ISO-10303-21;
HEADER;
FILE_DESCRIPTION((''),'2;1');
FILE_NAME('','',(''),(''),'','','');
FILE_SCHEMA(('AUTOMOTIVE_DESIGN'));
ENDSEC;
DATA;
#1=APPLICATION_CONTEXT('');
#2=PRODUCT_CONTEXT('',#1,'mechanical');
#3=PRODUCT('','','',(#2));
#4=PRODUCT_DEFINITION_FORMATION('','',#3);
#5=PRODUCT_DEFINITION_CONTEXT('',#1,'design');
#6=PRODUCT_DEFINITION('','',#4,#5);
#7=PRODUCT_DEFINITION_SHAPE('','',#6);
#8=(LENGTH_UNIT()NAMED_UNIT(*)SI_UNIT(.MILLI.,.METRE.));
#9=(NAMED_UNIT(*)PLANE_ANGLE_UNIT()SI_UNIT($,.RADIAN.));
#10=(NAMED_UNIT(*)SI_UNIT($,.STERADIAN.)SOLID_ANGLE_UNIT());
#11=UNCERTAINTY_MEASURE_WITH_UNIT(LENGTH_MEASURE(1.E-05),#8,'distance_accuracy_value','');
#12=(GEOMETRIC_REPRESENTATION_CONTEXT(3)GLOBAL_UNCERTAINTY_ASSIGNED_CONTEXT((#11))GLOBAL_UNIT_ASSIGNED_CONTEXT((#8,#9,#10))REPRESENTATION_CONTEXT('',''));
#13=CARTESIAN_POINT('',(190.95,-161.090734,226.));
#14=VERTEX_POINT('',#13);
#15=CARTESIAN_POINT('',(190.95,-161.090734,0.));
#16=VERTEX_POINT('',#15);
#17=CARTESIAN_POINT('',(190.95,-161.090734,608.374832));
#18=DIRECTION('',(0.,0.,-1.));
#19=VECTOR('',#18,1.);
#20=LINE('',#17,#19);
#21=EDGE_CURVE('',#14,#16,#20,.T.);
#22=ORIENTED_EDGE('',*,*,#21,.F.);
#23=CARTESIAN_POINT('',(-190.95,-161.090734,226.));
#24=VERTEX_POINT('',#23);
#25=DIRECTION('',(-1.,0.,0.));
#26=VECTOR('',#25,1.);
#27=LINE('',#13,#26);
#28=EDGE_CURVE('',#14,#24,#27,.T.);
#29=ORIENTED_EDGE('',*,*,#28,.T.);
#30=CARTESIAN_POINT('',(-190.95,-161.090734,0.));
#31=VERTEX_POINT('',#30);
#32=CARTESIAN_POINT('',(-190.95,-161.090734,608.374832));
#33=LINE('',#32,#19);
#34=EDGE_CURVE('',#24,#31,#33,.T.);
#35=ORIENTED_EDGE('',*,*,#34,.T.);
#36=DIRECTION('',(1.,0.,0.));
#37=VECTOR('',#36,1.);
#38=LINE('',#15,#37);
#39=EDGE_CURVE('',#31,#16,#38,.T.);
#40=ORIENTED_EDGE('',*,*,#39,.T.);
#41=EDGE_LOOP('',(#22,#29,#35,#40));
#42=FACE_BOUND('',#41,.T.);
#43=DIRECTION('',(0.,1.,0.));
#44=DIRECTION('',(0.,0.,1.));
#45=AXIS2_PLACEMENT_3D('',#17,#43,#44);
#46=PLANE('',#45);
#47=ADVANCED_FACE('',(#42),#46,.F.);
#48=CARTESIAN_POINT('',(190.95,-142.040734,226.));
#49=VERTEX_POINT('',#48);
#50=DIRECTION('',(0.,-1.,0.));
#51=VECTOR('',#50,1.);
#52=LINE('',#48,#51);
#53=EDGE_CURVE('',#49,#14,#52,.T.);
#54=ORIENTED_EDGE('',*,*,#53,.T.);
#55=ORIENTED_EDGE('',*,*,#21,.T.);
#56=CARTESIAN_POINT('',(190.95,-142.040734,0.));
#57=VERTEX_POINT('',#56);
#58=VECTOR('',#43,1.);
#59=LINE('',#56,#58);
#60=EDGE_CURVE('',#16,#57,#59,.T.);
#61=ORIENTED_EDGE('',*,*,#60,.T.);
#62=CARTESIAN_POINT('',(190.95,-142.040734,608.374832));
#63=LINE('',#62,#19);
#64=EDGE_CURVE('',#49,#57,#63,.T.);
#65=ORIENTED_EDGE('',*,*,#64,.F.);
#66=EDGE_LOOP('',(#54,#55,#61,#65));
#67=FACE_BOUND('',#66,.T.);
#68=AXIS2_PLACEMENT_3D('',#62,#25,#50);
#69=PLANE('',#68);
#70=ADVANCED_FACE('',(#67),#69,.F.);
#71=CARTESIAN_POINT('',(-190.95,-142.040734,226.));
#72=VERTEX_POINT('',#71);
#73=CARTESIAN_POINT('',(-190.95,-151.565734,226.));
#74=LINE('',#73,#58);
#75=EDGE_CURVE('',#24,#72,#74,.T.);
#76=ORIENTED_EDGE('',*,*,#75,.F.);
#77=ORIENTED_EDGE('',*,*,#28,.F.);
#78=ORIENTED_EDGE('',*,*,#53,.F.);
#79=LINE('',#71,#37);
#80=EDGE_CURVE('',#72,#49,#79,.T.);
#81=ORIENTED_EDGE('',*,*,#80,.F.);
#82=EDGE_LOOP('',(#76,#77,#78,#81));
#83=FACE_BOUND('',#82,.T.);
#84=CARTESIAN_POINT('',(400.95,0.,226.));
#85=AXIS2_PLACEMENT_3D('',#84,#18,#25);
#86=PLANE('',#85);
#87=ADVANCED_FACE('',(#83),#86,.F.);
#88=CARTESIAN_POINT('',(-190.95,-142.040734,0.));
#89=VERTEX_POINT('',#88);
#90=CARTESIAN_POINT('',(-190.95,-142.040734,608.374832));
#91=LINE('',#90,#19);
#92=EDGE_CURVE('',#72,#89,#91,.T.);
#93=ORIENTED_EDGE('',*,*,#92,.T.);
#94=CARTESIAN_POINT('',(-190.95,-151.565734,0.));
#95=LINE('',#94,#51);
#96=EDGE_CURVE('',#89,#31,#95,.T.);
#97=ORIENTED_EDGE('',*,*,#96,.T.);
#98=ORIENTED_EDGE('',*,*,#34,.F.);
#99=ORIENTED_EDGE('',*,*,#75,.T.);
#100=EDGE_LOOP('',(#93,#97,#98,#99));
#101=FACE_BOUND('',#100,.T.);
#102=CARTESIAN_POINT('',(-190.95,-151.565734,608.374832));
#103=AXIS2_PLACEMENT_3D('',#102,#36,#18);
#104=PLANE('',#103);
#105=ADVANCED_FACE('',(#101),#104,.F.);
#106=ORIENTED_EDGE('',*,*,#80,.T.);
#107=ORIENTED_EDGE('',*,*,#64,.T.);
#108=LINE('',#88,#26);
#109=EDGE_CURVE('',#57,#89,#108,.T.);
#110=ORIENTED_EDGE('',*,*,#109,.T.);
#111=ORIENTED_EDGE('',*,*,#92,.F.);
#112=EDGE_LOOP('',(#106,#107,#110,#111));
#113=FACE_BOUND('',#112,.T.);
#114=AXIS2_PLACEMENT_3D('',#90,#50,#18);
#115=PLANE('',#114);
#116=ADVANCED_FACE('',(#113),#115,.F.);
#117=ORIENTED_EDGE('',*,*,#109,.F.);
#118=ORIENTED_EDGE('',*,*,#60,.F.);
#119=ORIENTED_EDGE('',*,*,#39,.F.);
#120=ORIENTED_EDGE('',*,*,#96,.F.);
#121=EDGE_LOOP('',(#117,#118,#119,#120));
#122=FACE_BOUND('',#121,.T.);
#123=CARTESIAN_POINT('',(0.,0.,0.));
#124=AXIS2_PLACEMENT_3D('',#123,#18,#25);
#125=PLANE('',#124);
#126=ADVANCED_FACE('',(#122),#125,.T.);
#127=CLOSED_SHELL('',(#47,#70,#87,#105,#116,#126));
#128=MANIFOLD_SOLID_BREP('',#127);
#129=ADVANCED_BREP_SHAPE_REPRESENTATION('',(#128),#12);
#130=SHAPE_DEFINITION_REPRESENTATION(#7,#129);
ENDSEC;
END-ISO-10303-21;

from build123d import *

# Parameters (mm, degrees)
BOSS_EXTRUDE1_DEPTH = 226


with BuildPart() as part:
    # Sketch1 → Boss-Extrude1 (new body)
    with BuildSketch(Plane.XY):
        Polygon((-190.95, -151.565734031), (-190.95, -142.040734031), (190.95, -142.040734031), (190.95, -161.090734031), (-190.95, -161.090734031), align=None)
    extrude(amount=BOSS_EXTRUDE1_DEPTH)


solid = part.part
